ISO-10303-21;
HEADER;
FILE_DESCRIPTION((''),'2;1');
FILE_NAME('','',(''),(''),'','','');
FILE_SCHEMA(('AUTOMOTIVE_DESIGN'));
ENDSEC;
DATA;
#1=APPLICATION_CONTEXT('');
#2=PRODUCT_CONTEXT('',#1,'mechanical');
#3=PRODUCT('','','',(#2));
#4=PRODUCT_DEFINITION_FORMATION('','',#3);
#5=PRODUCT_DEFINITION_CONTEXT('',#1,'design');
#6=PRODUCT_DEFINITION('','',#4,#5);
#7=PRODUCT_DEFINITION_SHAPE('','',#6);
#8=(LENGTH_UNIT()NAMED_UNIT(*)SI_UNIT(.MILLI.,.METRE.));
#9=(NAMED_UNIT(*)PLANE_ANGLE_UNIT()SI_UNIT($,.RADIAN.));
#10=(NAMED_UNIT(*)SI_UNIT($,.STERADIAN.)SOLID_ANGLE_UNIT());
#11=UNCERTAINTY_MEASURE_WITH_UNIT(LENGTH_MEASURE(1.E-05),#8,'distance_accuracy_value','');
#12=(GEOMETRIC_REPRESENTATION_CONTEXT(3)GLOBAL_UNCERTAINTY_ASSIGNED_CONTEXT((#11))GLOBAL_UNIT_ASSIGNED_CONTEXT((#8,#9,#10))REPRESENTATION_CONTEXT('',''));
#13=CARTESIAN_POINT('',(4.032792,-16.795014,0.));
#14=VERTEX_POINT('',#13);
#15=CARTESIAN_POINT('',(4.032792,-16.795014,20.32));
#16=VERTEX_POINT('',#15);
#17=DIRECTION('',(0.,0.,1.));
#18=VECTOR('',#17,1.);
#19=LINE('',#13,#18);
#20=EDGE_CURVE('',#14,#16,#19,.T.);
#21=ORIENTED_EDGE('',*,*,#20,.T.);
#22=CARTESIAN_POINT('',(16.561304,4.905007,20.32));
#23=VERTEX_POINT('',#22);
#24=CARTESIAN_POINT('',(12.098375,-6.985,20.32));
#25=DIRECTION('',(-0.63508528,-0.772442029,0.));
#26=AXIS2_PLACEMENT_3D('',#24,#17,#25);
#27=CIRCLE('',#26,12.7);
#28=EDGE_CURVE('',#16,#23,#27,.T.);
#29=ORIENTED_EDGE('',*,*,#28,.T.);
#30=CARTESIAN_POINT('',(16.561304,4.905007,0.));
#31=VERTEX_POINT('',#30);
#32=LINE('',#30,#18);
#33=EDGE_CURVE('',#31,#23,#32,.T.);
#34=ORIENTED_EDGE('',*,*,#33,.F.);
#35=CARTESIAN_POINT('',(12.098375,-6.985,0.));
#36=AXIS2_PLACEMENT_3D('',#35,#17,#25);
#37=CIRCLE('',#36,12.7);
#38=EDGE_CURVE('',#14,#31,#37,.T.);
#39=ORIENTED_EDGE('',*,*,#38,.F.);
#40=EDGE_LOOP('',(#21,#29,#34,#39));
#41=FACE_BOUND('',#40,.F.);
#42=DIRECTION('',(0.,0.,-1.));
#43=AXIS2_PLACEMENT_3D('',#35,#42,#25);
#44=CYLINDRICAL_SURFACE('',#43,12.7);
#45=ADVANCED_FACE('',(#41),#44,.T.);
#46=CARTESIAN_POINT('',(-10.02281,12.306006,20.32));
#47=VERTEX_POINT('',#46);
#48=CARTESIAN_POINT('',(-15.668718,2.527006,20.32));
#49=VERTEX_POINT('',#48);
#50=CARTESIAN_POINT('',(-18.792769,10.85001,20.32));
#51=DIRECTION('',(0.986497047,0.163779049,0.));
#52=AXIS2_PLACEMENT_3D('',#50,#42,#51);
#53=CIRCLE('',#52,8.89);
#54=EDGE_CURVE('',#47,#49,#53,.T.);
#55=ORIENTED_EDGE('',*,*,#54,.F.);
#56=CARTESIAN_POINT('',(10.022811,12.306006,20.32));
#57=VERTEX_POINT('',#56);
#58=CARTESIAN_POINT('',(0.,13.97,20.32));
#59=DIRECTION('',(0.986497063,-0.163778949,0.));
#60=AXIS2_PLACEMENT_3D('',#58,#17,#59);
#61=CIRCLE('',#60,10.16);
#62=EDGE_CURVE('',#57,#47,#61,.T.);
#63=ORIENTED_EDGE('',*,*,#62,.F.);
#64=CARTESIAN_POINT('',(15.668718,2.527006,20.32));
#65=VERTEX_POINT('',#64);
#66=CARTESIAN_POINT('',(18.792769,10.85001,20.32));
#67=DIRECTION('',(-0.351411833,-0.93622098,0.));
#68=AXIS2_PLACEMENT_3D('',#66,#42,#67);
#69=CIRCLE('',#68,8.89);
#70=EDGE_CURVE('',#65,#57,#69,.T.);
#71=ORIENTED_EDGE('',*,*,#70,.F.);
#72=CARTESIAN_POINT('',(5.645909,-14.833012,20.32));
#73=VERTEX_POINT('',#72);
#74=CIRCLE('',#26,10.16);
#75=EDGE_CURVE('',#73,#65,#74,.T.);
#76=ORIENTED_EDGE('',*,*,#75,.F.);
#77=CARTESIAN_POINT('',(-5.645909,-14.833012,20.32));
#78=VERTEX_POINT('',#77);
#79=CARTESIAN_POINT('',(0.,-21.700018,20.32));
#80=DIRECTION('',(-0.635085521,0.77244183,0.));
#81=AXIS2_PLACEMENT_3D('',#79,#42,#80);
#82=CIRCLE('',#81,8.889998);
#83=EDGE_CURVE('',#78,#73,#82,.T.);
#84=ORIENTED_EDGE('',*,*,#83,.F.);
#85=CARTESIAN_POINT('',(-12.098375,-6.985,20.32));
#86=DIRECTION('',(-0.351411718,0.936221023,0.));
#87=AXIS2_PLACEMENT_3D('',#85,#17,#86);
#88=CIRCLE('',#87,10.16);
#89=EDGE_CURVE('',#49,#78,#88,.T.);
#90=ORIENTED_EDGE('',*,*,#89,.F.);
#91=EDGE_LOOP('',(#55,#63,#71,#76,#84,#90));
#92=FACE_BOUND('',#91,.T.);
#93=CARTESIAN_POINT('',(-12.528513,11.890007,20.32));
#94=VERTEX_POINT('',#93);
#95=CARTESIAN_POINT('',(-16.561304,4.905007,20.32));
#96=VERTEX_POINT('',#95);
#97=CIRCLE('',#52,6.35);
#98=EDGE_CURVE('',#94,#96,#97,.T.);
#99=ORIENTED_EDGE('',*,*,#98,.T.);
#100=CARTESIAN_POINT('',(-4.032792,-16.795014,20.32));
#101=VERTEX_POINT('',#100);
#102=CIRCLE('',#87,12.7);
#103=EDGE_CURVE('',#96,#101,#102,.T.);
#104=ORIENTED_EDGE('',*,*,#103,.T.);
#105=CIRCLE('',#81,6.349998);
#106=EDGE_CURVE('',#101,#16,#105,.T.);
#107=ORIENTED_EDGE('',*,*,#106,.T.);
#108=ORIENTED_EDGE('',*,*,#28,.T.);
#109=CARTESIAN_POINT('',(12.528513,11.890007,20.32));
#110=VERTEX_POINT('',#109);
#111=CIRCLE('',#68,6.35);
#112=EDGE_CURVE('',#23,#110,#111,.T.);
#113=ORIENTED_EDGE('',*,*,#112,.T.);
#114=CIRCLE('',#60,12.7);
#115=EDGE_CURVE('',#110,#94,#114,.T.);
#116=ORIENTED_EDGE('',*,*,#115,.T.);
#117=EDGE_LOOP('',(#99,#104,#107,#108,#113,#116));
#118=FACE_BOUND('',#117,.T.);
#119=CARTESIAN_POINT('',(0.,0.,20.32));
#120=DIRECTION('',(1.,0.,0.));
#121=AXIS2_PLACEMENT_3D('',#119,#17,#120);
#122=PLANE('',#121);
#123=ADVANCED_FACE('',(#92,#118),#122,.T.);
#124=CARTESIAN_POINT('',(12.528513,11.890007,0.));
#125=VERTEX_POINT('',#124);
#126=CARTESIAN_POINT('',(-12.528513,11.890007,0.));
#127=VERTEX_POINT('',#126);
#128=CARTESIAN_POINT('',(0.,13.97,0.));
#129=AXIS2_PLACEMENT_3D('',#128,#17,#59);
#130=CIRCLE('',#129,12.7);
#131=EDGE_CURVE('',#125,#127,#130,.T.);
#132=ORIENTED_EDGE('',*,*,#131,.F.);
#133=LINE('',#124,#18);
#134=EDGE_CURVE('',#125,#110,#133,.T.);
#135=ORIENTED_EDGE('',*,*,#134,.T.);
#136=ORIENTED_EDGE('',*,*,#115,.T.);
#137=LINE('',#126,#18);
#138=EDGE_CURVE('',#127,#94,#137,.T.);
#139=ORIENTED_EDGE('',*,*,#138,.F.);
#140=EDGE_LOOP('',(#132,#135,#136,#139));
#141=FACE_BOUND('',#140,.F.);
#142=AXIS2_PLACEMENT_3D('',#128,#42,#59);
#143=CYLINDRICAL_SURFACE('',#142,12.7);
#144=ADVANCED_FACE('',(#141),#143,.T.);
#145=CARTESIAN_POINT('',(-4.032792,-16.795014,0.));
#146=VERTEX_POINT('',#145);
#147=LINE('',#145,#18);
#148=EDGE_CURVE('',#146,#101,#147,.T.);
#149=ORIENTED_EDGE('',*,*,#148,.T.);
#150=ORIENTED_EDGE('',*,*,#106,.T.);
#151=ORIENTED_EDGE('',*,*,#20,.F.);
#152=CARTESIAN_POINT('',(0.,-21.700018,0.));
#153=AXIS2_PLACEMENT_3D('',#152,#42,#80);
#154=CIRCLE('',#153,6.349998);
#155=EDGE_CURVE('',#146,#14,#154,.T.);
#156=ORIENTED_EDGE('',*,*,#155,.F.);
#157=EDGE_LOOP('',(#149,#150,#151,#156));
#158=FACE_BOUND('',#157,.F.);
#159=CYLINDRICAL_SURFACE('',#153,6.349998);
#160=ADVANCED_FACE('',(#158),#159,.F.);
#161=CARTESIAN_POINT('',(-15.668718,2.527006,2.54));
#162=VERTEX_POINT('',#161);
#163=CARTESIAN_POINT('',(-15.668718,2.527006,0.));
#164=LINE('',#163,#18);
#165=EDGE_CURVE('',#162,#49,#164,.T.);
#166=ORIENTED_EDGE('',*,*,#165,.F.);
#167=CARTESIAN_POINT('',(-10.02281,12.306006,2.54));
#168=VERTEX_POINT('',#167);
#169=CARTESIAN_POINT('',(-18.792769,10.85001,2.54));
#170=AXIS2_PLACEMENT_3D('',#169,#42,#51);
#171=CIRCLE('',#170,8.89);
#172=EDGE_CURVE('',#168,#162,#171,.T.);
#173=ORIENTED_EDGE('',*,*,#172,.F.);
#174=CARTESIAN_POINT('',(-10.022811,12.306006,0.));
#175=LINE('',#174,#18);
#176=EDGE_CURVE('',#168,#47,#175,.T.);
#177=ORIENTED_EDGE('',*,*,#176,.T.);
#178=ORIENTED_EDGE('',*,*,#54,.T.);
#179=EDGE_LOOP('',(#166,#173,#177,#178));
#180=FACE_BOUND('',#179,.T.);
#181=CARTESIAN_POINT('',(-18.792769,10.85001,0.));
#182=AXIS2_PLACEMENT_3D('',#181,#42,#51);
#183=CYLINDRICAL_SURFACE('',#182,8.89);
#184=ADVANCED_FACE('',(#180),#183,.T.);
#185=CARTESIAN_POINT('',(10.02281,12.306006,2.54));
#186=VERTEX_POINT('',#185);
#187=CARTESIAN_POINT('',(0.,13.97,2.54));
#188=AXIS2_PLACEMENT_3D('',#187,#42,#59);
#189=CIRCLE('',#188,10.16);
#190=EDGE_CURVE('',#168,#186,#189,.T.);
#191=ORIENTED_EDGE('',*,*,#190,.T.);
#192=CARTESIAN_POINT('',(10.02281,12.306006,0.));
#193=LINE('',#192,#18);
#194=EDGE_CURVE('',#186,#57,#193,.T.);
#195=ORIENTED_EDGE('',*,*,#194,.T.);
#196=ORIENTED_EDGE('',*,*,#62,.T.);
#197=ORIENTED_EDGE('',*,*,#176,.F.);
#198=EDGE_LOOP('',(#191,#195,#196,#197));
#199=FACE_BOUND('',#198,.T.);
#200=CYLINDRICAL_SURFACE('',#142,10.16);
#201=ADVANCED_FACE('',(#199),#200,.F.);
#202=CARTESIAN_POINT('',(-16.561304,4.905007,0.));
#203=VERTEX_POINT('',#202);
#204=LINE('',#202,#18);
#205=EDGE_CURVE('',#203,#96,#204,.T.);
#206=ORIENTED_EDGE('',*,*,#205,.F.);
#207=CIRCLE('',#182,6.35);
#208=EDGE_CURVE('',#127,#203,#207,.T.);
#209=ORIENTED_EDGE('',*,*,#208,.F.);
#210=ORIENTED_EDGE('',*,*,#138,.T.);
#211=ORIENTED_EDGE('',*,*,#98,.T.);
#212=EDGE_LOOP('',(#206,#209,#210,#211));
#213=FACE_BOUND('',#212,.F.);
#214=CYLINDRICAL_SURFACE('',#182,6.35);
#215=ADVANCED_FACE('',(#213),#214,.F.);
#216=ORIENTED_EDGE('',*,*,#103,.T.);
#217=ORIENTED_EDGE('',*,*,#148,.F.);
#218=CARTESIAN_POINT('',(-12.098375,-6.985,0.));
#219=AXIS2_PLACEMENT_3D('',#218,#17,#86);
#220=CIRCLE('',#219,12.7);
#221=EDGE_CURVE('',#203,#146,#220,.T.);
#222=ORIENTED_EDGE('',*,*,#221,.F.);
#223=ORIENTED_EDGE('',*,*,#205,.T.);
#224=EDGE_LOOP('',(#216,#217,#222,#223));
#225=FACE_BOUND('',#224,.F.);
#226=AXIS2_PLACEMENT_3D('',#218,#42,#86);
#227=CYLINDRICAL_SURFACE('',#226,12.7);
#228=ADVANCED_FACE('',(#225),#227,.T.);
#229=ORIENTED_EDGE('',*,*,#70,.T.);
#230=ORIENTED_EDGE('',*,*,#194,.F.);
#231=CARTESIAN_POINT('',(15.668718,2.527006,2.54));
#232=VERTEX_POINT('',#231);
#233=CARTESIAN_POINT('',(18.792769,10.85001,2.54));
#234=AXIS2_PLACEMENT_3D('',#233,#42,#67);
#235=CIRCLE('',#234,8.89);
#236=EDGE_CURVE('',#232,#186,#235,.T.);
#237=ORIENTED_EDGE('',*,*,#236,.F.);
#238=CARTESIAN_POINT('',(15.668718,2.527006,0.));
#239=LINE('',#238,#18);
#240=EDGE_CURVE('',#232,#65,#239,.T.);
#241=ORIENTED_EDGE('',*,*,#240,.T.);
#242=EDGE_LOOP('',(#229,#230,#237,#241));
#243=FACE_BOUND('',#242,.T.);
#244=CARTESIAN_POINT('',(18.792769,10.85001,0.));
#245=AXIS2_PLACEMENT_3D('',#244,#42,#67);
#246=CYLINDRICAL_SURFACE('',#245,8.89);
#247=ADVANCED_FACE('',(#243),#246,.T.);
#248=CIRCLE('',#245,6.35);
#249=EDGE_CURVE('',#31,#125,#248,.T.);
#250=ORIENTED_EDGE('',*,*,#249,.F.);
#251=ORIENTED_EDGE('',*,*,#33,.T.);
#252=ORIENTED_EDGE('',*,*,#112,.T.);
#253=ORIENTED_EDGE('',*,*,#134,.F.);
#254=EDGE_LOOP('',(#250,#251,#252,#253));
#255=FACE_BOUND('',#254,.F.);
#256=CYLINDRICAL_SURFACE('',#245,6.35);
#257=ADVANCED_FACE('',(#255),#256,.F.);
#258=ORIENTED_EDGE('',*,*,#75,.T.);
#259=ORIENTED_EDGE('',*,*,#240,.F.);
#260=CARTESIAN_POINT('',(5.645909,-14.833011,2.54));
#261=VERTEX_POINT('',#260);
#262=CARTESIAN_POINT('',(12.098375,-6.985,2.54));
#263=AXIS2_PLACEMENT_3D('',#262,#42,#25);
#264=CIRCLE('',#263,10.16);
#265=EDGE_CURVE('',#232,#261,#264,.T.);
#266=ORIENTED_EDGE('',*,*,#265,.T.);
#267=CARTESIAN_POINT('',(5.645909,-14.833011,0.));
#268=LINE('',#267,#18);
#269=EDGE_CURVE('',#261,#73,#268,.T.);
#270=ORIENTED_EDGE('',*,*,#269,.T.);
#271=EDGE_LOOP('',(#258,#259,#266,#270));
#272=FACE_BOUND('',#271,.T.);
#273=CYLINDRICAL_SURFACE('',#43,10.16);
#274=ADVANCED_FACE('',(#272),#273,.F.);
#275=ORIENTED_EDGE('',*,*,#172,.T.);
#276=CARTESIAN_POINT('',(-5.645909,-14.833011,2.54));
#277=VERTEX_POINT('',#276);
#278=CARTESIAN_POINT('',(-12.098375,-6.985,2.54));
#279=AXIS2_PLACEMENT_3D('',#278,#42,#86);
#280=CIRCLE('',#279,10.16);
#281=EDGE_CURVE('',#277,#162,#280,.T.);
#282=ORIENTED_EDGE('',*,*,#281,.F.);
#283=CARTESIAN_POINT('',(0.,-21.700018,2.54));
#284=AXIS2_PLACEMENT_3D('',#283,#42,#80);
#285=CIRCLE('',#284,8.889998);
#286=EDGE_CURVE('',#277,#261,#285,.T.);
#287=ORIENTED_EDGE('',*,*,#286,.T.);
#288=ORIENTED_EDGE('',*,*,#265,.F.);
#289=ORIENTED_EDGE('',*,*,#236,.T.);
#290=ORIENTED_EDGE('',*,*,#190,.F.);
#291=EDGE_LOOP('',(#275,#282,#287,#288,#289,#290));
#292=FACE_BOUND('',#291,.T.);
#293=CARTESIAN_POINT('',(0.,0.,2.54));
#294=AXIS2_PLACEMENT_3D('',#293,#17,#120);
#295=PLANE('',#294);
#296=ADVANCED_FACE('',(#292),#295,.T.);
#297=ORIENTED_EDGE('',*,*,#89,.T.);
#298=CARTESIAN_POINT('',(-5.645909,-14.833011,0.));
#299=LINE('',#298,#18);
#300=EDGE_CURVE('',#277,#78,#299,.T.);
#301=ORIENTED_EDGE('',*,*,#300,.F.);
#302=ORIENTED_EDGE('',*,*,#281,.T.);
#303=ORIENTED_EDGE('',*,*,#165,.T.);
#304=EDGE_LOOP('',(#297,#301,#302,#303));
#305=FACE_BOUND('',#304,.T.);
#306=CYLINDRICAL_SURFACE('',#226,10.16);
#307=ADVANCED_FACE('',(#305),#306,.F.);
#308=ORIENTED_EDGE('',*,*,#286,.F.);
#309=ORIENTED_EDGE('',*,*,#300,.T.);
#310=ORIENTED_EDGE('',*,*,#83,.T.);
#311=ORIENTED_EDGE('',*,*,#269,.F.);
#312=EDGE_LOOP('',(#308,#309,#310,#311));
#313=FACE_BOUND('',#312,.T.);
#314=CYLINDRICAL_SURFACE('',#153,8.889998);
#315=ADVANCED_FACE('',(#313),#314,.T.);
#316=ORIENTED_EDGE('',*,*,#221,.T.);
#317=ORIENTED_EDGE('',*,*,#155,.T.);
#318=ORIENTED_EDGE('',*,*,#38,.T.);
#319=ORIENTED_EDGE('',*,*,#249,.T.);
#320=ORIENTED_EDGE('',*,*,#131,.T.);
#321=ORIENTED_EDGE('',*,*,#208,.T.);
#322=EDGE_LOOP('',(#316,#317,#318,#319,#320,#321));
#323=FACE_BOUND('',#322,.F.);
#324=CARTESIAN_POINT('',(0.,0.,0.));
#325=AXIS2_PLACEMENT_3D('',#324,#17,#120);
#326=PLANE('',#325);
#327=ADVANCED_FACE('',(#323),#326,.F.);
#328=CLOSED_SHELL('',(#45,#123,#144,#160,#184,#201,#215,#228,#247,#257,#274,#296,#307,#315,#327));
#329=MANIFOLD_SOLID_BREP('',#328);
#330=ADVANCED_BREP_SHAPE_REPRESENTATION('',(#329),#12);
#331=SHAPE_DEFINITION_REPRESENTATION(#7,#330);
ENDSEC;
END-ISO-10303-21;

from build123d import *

# Parameters (mm, degrees)
F1_DEPTH = 20.32
F2_T     = -2.54


with BuildPart() as f1:
    # F0 (on Top) → F1 (new body)
    with BuildSketch(Plane.XY):
        with BuildLine():
            ThreePointArc((-4.032792, -16.795014), (0, -15.35002), (4.032792, -16.795014))
            ThreePointArc((4.032792, -16.795014), (23.096898, -13.335), (16.561304, 4.905007))
            ThreePointArc((16.561304, 4.905007), (13.293508, 7.67501), (12.528513, 11.890007))
            ThreePointArc((12.528513, 11.890007), (0, 26.67), (-12.528513, 11.890007))
            ThreePointArc((-12.528513, 11.890007), (-13.293508, 7.67501), (-16.561304, 4.905007))
            ThreePointArc((-16.561304, 4.905007), (-23.096898, -13.335), (-4.032792, -16.795014))
        make_face()
    extrude(amount=F1_DEPTH)

    # F2
    f2_openings = [f1.faces().sort_by_distance(p)[0] for p in [
        (0, 0, 20.32),
    ]]
    offset(amount=F2_T, openings=f2_openings)


solid = f1.part
